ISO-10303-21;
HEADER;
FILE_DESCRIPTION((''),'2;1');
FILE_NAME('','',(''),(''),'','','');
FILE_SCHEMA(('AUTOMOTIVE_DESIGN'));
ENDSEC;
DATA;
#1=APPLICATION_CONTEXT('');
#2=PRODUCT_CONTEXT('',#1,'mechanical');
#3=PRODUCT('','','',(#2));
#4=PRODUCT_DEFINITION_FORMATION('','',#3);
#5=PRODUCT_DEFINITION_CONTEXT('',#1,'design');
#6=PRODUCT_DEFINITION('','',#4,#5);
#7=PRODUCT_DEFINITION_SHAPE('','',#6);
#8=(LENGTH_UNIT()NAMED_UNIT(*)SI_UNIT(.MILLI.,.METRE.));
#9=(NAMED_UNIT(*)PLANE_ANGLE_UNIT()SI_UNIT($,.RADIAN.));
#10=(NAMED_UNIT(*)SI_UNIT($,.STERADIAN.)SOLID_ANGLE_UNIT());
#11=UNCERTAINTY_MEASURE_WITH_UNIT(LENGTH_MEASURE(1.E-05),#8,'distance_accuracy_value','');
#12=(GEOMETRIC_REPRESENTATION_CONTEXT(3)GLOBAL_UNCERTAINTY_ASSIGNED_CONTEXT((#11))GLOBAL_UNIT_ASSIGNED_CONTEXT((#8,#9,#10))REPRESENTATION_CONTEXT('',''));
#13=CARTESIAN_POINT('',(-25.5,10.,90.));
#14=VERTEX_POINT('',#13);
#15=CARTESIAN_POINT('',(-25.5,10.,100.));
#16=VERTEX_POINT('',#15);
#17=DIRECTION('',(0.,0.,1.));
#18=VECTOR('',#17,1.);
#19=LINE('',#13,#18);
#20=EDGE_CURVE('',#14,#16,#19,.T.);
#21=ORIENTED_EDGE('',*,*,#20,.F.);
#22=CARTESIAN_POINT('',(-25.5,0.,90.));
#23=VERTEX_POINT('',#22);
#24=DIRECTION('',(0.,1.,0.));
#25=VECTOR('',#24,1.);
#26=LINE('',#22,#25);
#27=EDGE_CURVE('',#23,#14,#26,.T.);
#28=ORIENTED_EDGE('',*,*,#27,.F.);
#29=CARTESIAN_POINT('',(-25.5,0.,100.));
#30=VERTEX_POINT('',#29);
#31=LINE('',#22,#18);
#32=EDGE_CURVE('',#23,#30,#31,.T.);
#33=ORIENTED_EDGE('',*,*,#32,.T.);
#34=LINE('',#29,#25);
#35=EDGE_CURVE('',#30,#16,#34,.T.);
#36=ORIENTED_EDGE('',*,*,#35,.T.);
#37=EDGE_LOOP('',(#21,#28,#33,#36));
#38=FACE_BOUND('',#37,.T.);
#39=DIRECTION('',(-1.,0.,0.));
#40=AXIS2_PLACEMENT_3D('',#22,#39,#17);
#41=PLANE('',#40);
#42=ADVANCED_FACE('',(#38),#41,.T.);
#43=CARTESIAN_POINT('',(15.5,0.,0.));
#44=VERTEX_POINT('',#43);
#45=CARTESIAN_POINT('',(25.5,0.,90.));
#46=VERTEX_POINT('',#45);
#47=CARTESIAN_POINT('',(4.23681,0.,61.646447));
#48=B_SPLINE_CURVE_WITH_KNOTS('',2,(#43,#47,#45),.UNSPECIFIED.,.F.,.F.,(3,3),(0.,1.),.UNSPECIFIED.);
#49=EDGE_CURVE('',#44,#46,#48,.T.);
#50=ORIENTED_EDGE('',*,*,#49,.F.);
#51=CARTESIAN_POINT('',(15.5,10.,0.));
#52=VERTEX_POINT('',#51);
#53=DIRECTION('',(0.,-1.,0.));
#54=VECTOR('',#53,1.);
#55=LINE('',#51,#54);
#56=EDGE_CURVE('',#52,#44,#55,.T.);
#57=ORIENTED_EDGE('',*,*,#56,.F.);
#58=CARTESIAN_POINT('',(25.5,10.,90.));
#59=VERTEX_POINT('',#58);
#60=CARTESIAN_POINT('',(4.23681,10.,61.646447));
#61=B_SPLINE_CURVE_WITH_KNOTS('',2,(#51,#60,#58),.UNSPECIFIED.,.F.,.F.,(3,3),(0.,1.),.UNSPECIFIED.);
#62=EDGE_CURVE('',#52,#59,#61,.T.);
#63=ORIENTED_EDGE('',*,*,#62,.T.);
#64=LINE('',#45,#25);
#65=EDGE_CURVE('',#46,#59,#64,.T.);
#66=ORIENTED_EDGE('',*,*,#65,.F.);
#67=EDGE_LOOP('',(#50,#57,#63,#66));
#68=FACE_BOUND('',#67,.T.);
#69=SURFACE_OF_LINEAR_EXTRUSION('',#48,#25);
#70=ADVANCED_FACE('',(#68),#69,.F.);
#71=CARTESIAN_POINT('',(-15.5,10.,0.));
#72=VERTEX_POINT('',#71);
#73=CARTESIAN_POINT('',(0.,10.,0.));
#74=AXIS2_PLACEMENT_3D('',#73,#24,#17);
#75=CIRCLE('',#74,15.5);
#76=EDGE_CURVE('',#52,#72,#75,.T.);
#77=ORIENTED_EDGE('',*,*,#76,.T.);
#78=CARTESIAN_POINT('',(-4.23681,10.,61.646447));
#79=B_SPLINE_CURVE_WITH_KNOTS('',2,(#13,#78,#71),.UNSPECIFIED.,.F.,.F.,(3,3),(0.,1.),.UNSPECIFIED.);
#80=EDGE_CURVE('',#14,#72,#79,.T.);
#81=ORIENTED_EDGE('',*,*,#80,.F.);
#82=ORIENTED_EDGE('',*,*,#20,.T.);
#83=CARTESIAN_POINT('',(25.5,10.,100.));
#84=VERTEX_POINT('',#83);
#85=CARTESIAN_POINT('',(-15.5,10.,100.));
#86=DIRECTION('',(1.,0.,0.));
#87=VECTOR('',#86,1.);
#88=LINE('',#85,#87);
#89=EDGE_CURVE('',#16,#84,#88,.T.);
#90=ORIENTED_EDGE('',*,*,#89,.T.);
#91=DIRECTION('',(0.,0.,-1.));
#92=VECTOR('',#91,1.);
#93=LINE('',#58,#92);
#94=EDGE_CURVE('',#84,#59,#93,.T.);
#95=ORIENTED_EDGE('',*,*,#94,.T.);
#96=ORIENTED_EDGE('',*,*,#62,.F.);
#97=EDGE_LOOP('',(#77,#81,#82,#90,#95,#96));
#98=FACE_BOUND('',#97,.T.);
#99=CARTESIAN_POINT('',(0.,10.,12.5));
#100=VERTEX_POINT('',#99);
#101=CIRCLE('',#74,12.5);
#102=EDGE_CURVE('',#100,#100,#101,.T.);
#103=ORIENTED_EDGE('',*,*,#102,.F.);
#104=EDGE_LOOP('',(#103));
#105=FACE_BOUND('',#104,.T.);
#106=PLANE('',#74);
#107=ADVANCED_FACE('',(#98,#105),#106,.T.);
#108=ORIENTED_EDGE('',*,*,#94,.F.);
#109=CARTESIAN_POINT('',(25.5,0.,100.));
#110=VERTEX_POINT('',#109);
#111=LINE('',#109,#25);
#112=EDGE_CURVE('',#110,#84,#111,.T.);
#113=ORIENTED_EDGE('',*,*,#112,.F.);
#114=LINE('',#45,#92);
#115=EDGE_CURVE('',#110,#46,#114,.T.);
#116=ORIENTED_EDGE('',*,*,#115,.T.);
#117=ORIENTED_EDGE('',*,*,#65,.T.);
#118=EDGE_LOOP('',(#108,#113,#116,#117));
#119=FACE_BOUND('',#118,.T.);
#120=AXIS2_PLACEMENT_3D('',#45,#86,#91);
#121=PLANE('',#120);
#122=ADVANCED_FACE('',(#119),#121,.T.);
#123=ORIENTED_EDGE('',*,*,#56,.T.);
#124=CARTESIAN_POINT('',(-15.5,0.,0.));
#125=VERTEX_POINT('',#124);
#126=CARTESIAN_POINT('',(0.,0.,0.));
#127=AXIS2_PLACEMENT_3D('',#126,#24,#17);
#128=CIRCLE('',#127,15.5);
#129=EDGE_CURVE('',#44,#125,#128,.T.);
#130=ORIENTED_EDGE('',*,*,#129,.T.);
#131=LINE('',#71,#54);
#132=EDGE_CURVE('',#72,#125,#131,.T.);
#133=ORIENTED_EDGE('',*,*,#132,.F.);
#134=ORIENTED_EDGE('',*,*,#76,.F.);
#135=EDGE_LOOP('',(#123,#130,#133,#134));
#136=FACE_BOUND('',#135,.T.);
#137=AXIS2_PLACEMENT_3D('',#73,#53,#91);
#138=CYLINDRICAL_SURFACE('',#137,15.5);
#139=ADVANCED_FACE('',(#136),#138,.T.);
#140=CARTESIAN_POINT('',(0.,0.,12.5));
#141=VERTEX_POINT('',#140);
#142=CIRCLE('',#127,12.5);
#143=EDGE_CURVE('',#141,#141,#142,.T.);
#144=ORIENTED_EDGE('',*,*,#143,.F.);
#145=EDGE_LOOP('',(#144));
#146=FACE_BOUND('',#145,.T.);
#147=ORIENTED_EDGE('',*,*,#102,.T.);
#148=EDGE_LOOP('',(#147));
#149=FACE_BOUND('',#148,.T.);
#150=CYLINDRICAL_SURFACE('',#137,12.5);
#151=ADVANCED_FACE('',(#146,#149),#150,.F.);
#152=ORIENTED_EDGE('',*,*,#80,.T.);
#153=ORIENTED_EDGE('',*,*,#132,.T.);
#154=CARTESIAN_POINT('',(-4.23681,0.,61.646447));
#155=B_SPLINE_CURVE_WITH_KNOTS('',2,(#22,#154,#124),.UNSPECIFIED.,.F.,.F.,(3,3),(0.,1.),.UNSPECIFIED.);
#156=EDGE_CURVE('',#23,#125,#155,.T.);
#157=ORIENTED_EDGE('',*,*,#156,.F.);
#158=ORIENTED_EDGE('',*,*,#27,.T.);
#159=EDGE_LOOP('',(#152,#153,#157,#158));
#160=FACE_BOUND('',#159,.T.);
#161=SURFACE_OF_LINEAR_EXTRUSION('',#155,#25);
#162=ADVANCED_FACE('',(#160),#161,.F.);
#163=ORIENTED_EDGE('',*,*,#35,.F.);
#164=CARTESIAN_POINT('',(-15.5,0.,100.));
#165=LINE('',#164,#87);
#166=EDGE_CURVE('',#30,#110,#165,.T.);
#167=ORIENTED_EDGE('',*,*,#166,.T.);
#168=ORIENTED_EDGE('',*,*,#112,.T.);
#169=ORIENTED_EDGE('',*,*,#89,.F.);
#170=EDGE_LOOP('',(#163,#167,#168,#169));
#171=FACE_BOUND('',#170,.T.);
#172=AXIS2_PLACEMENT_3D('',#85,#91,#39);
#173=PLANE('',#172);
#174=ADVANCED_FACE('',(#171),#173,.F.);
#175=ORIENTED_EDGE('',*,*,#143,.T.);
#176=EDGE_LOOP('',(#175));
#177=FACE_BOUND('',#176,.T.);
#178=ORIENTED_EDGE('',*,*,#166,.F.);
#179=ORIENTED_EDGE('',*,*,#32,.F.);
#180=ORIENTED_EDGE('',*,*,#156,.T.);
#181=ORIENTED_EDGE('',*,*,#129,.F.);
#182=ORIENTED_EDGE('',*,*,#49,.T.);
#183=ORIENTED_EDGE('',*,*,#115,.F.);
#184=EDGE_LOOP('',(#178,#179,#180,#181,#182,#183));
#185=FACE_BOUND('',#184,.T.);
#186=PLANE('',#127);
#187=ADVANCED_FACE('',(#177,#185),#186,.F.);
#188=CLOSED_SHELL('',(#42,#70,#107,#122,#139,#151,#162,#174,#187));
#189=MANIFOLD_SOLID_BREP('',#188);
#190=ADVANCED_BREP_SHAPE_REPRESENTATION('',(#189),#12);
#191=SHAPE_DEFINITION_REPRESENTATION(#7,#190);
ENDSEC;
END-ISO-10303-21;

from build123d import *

# Parameters (mm, degrees)
SKETCH_1_R          = 12.5
EXTRUDE_1_DEPTH     = 10
SKETCH_2_W          = 51
SKETCH_2_H          = 10
EXTRUDE_2_DEPTH     = 10
EXTRUDE_3_DEPTH     = 10
CUT_EXTRUDE_2_DEPTH = 10


with BuildPart() as part:
    # Эскиз1 → Бобышка-Вытянуть1 (new body)
    with BuildSketch(Plane(origin=(0, 0, 0), x_dir=(1, 0, 0), z_dir=(0, 1, 0))):
        with BuildLine():
            Line((-15.5, 0), (-15.5, -100))
            Line((-15.5, -100), (15.5, -100))
            Line((15.5, -100), (15.5, 0))
            ThreePointArc((15.5, 0), (0, 15.5), (-15.5, 0))
        make_face()
        with Locations(Location((0, 0, 0), (0, 0, 270))):
            Circle(SKETCH_1_R, mode=Mode.SUBTRACT)
    extrude(amount=EXTRUDE_1_DEPTH)

    # Эскиз2 → Бобышка-Вытянуть2 (add, through all)
    with BuildSketch(Plane(origin=(0, 10, 0), x_dir=(1, 0, 0), z_dir=(0, 1, 0))):
        with Locations((0, -95)):
            Rectangle(SKETCH_2_W, SKETCH_2_H)
    extrude(amount=-EXTRUDE_2_DEPTH)

    # Эскиз4 → Бобышка-Вытянуть3 (add)
    with BuildSketch(Plane(origin=(0, 10, 0), x_dir=(1, 0, 0), z_dir=(0, 1, 0))):
        Polygon((-25.5, -90), (-15.5, 0), (-15.5, -90), align=None)
        Polygon((15.5, -90), (25.5, -90), (15.5, 0), align=None)
    extrude(amount=-EXTRUDE_3_DEPTH)

    # Эскиз3 → Вырез-Вытянуть2 (cut)
    with BuildSketch(Plane(origin=(0, 10, 0), x_dir=(1, 0, 0), z_dir=(0, 1, 0))):
        with BuildLine():
            Line((-15.5, 0), (-25.5, -90))
            add(Edge.make_bspline(
                [(-15.5, 0), (-4.236810468, -61.646447202), (-25.5, -90)],
                knots=[0, 0, 0, 1, 1, 1], degree=2))
        make_face()
        with BuildLine():
            Line((15.5, 0), (25.5, -90))
            add(Edge.make_bspline(
                [(15.5, 0), (4.236810468, -61.646447202), (25.5, -90)],
                knots=[0, 0, 0, 1, 1, 1], degree=2))
        make_face()
    extrude(amount=-CUT_EXTRUDE_2_DEPTH, mode=Mode.SUBTRACT)


solid = part.part
